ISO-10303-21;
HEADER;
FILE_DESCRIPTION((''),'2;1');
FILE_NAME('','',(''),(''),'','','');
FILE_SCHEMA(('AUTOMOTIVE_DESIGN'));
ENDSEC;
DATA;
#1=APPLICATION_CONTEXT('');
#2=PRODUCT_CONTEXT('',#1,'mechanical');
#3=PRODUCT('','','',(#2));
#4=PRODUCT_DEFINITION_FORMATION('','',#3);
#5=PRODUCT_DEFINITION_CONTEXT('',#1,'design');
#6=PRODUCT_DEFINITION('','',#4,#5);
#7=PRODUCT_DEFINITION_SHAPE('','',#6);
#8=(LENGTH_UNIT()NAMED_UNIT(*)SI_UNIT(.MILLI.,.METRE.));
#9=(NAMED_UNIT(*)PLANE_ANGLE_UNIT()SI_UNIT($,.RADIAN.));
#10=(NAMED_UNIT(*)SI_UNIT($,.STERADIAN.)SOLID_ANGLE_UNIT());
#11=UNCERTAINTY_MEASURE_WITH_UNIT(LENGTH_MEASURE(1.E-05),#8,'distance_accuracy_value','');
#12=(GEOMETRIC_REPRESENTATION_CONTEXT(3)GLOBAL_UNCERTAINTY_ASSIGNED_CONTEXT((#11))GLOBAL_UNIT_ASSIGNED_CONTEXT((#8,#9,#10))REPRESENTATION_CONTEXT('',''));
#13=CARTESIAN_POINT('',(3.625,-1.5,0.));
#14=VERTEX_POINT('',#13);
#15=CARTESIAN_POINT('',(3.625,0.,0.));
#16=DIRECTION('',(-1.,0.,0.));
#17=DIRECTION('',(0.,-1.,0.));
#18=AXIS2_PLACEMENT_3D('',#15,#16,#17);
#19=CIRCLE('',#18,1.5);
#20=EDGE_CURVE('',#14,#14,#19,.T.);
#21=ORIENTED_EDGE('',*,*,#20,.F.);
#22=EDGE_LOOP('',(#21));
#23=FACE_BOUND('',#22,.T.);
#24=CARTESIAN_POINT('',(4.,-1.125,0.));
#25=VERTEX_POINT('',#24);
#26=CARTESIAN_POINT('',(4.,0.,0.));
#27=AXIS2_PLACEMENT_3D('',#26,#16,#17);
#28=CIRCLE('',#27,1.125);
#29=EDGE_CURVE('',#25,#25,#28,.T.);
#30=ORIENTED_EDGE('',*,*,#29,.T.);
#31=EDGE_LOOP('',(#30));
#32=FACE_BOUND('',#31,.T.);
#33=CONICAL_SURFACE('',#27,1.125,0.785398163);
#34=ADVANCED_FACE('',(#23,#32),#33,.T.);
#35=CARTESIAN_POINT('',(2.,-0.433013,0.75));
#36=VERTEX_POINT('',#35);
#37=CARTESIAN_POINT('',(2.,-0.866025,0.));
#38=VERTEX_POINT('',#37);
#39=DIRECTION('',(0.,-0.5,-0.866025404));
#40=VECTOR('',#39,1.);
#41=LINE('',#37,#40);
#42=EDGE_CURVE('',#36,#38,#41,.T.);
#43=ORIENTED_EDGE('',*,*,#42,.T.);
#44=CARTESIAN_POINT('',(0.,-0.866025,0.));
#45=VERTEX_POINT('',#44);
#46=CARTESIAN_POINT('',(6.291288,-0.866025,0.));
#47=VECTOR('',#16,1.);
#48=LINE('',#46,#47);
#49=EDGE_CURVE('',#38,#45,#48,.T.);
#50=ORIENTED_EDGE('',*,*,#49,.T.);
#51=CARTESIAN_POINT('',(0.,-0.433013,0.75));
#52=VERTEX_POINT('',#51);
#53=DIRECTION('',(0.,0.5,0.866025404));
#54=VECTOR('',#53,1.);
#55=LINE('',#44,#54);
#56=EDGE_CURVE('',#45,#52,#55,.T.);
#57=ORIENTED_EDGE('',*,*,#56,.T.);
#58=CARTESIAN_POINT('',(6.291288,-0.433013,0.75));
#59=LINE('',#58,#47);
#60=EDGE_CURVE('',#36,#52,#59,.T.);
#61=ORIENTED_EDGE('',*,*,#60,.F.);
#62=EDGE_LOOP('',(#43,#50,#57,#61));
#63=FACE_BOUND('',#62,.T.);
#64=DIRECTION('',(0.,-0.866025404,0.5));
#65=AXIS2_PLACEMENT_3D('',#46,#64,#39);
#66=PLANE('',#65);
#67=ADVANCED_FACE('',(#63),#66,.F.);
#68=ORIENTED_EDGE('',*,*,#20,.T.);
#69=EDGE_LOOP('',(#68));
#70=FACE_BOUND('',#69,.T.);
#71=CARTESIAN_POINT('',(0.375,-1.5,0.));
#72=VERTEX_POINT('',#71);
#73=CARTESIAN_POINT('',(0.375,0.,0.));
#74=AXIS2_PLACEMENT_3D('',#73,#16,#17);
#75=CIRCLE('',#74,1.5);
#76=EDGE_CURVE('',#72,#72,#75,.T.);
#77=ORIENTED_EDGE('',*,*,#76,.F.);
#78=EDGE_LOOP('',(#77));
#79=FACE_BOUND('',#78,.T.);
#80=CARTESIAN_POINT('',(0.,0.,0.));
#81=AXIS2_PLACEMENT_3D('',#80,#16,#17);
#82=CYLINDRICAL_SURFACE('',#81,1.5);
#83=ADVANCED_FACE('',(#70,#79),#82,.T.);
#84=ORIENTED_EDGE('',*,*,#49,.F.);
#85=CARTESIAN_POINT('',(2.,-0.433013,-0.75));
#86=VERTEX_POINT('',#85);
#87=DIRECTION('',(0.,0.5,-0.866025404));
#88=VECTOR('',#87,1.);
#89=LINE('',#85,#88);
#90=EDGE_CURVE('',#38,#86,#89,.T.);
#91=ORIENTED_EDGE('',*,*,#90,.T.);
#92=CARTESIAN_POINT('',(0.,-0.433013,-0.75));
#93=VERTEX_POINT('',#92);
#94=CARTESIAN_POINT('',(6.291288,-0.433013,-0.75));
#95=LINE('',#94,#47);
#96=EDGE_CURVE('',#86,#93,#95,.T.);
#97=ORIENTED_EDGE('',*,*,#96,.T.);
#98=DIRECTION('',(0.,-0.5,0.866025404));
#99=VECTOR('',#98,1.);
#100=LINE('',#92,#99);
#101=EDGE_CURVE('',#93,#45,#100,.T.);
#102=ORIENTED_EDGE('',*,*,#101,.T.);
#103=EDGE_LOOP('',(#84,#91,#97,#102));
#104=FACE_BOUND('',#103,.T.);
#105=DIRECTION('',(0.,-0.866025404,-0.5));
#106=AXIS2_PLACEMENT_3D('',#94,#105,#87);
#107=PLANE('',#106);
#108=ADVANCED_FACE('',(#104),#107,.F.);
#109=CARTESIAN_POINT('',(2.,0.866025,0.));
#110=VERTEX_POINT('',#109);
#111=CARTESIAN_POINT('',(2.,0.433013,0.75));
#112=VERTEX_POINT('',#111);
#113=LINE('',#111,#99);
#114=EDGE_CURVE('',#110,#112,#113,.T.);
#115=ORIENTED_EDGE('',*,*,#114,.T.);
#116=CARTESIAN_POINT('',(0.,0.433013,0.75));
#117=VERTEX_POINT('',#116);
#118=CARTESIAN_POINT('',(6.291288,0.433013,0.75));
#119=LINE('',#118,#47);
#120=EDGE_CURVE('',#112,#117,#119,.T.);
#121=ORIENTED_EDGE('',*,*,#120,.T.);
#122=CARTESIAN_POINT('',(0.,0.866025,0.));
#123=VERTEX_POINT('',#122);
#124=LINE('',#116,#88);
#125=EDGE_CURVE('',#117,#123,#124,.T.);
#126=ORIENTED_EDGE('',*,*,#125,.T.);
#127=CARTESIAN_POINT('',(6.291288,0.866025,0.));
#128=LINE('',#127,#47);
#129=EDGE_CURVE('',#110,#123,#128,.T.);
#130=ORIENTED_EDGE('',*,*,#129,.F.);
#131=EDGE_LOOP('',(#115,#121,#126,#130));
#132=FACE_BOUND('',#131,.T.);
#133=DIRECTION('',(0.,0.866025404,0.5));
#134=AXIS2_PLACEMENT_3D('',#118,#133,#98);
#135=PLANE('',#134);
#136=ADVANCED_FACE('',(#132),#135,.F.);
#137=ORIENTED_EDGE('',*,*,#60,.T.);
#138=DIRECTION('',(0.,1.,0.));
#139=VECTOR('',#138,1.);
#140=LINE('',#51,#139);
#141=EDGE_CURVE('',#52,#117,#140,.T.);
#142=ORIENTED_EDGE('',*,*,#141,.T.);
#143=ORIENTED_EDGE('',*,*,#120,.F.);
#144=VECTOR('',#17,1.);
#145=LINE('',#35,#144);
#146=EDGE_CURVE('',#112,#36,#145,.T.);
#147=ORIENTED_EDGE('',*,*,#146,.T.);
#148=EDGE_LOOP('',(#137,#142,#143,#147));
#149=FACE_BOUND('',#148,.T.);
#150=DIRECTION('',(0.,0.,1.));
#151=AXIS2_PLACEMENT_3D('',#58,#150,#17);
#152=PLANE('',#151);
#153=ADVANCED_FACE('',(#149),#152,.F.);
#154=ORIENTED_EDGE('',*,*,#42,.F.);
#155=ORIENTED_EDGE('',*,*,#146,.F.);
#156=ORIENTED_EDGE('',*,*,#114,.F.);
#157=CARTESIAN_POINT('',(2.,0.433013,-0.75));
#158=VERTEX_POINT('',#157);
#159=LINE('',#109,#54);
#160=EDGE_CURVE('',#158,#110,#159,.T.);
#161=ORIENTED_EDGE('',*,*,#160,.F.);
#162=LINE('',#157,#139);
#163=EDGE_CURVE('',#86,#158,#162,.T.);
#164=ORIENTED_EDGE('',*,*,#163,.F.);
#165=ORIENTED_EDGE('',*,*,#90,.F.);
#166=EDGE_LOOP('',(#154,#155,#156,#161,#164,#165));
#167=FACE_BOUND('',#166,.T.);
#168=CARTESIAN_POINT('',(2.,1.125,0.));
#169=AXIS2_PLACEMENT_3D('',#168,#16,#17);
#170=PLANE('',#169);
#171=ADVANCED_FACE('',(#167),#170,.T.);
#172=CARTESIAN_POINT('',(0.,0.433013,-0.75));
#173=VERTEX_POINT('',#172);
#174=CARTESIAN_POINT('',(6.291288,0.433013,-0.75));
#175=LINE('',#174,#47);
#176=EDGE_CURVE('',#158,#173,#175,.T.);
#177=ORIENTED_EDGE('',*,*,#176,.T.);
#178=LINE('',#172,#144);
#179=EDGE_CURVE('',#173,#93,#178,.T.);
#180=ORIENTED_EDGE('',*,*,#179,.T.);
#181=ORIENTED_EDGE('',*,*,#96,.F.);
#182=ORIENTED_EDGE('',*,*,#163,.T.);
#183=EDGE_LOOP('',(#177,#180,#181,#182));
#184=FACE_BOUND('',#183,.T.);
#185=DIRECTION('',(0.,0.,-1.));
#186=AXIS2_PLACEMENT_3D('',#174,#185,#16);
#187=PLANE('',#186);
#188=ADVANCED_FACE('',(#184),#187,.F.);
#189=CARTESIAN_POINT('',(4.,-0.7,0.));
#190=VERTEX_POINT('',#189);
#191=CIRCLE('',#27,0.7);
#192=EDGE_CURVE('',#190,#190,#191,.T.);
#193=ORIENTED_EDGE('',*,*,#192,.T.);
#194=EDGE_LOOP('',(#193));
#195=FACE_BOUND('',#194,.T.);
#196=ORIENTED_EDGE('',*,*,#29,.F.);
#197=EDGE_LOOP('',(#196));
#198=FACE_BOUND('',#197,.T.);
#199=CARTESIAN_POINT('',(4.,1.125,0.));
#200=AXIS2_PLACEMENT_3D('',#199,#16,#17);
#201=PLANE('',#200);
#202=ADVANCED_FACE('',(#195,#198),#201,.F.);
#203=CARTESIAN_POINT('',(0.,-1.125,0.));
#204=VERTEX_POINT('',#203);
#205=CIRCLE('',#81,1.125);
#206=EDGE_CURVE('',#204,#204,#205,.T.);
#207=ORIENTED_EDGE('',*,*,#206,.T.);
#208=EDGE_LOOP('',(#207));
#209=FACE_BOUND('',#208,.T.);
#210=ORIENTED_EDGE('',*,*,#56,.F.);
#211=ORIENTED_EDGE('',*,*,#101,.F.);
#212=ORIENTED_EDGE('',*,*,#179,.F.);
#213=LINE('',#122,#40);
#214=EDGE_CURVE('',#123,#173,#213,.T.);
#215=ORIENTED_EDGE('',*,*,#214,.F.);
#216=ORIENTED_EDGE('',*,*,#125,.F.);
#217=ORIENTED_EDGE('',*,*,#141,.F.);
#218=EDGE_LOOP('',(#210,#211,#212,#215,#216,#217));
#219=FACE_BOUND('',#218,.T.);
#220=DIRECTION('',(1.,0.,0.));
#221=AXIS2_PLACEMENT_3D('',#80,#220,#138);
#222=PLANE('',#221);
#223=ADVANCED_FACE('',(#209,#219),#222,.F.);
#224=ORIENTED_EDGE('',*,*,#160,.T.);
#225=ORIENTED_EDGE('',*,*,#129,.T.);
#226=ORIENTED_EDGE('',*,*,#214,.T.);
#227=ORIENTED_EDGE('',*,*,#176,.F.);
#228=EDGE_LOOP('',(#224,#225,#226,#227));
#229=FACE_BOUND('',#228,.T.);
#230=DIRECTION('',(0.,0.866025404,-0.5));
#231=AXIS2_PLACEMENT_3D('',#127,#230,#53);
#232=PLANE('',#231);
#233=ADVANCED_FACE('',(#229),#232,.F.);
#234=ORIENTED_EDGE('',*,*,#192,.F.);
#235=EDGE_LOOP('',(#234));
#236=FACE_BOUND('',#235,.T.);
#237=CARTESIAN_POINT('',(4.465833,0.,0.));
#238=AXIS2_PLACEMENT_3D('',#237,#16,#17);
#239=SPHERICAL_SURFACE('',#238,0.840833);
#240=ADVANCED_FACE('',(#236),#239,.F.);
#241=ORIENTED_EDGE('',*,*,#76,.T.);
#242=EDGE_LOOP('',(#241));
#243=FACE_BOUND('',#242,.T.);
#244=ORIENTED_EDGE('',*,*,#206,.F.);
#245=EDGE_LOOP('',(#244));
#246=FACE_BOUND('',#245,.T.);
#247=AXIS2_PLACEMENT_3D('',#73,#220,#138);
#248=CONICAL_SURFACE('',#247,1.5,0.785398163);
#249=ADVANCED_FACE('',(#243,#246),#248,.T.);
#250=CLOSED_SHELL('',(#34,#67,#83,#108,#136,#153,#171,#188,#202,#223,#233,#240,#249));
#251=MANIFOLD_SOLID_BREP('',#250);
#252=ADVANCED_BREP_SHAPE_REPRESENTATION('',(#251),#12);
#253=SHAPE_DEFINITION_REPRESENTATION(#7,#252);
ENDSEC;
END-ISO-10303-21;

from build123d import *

# Parameters (mm, degrees)
CUT_EXTRUDE1_DEPTH = 2


with BuildPart() as part:
    # Sketch1 → Revolve1 (revolve)
    with BuildSketch(Plane.XY, mode=Mode.PRIVATE) as revolve1_sk:
        with BuildLine():
            Line((0, 0), (0, 1.125))
            Line((0, 1.125), (0.375, 1.5))
            Line((0.375, 1.5), (3.625, 1.5))
            Line((3.625, 1.5), (4, 1.125))
            Line((4, 1.125), (4, 0.7))
            ThreePointArc((4, 0.7), (3.724655592, 0.397059504), (3.625, 0))
            Line((3.625, 0), (0, 0))
        make_face()
    revolve(revolve1_sk.sketch.rotate(Axis((0, 0, 0), (1, 0, 0)), 180), axis=Axis((0, 0, 0), (1, 0, 0)))

    # Sketch2 → Cut-Extrude1 (cut)
    with BuildSketch(Plane.ZY):
        Polygon((0, 0.866025404), (-0.75, 0.433012702), (-0.75, -0.433012702), (0, -0.866025404), (0.75, -0.433012702), (0.75, 0.433012702), align=None)
    extrude(amount=-CUT_EXTRUDE1_DEPTH, mode=Mode.SUBTRACT)


solid = part.part
